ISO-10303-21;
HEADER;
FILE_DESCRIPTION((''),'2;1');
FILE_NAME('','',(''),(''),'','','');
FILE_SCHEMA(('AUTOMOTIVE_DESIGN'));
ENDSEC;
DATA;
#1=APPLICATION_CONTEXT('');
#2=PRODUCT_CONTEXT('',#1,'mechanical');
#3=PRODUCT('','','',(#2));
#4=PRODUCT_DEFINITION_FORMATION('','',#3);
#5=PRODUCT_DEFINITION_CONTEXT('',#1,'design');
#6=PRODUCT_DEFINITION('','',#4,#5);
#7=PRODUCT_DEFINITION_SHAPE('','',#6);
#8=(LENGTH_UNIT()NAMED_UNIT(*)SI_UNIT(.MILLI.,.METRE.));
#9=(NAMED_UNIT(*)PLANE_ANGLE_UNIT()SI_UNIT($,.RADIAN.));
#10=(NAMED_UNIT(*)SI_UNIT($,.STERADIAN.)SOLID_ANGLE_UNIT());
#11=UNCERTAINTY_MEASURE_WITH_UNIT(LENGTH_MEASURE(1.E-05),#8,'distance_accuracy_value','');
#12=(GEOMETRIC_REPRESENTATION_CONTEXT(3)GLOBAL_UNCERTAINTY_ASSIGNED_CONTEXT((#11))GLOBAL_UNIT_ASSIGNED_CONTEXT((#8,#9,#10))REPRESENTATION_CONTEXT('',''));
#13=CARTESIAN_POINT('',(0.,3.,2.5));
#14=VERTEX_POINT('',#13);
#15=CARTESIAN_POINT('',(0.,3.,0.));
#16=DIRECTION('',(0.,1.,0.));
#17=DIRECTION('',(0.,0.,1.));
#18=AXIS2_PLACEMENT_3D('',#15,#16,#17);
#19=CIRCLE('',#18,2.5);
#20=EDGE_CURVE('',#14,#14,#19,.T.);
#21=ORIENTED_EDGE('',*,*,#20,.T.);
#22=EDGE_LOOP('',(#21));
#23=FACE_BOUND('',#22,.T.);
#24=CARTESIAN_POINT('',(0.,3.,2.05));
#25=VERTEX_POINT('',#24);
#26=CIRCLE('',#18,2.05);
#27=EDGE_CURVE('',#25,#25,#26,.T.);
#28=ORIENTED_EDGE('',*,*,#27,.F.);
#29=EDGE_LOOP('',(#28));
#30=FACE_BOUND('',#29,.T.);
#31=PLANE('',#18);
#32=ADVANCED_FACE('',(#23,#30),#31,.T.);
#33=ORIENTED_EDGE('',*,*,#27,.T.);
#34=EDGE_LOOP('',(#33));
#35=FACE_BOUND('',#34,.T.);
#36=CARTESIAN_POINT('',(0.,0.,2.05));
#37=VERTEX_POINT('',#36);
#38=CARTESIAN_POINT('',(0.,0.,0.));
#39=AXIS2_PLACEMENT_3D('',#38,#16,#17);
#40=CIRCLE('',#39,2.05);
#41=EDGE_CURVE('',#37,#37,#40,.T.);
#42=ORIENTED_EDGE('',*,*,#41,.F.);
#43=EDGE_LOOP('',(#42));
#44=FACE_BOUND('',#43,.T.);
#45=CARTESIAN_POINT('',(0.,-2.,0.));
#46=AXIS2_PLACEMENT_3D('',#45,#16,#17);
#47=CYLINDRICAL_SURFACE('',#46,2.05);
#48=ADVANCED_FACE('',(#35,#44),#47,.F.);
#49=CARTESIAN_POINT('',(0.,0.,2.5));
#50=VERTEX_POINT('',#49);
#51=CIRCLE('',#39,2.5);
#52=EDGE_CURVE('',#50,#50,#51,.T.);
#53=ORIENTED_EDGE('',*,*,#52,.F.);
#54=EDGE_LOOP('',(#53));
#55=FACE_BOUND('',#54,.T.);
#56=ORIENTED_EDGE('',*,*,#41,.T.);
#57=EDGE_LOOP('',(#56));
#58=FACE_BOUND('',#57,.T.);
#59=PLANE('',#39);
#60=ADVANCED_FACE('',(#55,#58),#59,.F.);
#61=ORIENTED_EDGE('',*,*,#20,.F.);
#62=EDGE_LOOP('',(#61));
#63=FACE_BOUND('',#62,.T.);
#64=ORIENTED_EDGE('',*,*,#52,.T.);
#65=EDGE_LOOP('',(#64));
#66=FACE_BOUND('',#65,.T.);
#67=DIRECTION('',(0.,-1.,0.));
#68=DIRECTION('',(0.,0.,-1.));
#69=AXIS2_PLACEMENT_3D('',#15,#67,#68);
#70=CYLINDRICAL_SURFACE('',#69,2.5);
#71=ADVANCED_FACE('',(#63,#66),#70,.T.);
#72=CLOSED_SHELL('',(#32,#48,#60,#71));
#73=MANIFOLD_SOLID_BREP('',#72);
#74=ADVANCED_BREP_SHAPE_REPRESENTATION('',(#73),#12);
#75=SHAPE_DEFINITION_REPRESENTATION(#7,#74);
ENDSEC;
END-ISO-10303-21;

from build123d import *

# Parameters (mm, degrees)
CROQUIS1_R              = 2.5
SALIENTE_EXTRUIR1_DEPTH = 3
CROQUIS2_R              = 2.05
CORTAR_EXTRUIR1_DEPTH   = 5


with BuildPart() as part:
    # Croquis1 → Saliente-Extruir1 (new body)
    with BuildSketch(Plane(origin=(0, 0, 0), x_dir=(1, 0, 0), z_dir=(0, 1, 0))):
        Circle(CROQUIS1_R)
    extrude(amount=SALIENTE_EXTRUIR1_DEPTH)

    # Croquis2 → Cortar-Extruir1 (cut)
    with BuildSketch(Plane(origin=(0, 3, 0), x_dir=(1, 0, 0), z_dir=(0, 1, 0))):
        Circle(CROQUIS2_R)
    extrude(amount=-CORTAR_EXTRUIR1_DEPTH, mode=Mode.SUBTRACT)


solid = part.part
